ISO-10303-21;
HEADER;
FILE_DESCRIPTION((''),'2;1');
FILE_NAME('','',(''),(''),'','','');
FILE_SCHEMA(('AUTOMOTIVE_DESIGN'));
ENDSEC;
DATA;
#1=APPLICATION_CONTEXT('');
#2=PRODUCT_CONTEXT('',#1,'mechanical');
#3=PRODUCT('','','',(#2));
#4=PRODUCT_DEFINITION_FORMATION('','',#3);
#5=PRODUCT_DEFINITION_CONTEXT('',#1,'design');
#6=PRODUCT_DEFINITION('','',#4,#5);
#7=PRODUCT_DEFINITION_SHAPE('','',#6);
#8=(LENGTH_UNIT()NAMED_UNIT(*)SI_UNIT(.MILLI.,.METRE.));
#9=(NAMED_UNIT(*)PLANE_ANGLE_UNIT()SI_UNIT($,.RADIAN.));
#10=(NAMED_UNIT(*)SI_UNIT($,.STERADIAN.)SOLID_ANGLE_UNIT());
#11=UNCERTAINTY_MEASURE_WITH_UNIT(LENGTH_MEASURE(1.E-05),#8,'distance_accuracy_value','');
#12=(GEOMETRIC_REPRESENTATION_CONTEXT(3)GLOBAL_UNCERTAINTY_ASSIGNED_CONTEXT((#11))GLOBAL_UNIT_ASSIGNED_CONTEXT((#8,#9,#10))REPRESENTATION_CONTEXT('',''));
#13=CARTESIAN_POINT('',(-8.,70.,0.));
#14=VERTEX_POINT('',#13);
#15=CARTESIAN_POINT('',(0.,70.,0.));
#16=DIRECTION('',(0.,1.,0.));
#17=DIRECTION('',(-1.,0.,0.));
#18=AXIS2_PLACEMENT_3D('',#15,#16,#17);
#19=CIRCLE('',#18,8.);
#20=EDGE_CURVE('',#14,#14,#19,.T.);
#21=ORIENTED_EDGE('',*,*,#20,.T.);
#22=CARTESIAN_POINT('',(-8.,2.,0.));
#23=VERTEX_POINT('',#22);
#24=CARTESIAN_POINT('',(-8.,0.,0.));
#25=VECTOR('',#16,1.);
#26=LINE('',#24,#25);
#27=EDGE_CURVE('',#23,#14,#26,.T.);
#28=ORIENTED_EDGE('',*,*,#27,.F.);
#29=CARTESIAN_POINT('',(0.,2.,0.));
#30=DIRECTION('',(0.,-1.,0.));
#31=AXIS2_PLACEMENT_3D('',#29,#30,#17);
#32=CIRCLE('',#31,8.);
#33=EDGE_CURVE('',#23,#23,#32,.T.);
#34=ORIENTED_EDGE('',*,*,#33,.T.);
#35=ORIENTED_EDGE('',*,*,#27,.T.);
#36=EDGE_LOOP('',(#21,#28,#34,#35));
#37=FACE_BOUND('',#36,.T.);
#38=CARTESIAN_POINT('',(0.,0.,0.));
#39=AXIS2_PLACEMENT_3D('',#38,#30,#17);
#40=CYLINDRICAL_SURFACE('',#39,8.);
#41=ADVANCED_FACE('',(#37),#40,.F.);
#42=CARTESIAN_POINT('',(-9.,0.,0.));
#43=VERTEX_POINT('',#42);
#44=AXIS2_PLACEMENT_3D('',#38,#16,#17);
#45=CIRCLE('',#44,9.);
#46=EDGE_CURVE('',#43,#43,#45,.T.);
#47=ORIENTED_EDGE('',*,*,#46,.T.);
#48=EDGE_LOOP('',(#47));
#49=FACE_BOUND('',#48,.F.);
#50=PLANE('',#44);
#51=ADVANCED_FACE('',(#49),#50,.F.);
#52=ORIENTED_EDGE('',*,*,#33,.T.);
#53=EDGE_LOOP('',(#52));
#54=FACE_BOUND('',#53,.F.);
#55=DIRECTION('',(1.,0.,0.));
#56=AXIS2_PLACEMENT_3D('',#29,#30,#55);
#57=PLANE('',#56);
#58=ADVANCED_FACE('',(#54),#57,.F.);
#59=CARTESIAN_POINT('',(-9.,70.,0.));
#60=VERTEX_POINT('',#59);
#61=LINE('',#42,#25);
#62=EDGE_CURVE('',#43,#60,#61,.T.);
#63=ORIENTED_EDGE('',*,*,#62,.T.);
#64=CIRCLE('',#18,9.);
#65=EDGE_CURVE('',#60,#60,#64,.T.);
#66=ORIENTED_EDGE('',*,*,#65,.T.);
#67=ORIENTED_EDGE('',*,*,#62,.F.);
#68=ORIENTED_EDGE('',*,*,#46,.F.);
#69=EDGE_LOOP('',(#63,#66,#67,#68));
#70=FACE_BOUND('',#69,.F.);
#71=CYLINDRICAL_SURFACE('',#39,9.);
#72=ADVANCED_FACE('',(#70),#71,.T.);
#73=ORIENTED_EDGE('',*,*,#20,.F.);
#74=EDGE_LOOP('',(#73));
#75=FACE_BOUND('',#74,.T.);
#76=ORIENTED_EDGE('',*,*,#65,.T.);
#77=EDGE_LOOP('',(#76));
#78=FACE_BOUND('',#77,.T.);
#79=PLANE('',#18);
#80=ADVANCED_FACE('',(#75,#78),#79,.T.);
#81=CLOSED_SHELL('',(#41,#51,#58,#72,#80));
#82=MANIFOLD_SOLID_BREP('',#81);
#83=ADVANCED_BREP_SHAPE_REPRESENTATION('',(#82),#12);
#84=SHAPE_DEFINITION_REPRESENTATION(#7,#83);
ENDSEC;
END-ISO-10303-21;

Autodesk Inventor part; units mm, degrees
sketch "Sketch1" plane through (0, 0, 0) normal (0, 1, 0) x (-1, 0, 0)
  circle A0 centre (0, 0) radius 9
  circle A1 centre (0, 0) radius 8
  dimension "d1" = 18
  dimension "d3" = 16
  dimension "d6" = 1
extrude "Extrusion1" add sketch "Sketch1" along normal blind 70
sketch "Sketch2" plane through (0, 0, 0) normal (0, -1, 0) x (1, 0, 0)
  circle A0 centre (0, 0) radius 8
  dimension "d7" = 16
extrude "Extrusion2" add sketch "Sketch2" against normal blind 2
properties part number "motor-casing" material "ABS Plastic"
